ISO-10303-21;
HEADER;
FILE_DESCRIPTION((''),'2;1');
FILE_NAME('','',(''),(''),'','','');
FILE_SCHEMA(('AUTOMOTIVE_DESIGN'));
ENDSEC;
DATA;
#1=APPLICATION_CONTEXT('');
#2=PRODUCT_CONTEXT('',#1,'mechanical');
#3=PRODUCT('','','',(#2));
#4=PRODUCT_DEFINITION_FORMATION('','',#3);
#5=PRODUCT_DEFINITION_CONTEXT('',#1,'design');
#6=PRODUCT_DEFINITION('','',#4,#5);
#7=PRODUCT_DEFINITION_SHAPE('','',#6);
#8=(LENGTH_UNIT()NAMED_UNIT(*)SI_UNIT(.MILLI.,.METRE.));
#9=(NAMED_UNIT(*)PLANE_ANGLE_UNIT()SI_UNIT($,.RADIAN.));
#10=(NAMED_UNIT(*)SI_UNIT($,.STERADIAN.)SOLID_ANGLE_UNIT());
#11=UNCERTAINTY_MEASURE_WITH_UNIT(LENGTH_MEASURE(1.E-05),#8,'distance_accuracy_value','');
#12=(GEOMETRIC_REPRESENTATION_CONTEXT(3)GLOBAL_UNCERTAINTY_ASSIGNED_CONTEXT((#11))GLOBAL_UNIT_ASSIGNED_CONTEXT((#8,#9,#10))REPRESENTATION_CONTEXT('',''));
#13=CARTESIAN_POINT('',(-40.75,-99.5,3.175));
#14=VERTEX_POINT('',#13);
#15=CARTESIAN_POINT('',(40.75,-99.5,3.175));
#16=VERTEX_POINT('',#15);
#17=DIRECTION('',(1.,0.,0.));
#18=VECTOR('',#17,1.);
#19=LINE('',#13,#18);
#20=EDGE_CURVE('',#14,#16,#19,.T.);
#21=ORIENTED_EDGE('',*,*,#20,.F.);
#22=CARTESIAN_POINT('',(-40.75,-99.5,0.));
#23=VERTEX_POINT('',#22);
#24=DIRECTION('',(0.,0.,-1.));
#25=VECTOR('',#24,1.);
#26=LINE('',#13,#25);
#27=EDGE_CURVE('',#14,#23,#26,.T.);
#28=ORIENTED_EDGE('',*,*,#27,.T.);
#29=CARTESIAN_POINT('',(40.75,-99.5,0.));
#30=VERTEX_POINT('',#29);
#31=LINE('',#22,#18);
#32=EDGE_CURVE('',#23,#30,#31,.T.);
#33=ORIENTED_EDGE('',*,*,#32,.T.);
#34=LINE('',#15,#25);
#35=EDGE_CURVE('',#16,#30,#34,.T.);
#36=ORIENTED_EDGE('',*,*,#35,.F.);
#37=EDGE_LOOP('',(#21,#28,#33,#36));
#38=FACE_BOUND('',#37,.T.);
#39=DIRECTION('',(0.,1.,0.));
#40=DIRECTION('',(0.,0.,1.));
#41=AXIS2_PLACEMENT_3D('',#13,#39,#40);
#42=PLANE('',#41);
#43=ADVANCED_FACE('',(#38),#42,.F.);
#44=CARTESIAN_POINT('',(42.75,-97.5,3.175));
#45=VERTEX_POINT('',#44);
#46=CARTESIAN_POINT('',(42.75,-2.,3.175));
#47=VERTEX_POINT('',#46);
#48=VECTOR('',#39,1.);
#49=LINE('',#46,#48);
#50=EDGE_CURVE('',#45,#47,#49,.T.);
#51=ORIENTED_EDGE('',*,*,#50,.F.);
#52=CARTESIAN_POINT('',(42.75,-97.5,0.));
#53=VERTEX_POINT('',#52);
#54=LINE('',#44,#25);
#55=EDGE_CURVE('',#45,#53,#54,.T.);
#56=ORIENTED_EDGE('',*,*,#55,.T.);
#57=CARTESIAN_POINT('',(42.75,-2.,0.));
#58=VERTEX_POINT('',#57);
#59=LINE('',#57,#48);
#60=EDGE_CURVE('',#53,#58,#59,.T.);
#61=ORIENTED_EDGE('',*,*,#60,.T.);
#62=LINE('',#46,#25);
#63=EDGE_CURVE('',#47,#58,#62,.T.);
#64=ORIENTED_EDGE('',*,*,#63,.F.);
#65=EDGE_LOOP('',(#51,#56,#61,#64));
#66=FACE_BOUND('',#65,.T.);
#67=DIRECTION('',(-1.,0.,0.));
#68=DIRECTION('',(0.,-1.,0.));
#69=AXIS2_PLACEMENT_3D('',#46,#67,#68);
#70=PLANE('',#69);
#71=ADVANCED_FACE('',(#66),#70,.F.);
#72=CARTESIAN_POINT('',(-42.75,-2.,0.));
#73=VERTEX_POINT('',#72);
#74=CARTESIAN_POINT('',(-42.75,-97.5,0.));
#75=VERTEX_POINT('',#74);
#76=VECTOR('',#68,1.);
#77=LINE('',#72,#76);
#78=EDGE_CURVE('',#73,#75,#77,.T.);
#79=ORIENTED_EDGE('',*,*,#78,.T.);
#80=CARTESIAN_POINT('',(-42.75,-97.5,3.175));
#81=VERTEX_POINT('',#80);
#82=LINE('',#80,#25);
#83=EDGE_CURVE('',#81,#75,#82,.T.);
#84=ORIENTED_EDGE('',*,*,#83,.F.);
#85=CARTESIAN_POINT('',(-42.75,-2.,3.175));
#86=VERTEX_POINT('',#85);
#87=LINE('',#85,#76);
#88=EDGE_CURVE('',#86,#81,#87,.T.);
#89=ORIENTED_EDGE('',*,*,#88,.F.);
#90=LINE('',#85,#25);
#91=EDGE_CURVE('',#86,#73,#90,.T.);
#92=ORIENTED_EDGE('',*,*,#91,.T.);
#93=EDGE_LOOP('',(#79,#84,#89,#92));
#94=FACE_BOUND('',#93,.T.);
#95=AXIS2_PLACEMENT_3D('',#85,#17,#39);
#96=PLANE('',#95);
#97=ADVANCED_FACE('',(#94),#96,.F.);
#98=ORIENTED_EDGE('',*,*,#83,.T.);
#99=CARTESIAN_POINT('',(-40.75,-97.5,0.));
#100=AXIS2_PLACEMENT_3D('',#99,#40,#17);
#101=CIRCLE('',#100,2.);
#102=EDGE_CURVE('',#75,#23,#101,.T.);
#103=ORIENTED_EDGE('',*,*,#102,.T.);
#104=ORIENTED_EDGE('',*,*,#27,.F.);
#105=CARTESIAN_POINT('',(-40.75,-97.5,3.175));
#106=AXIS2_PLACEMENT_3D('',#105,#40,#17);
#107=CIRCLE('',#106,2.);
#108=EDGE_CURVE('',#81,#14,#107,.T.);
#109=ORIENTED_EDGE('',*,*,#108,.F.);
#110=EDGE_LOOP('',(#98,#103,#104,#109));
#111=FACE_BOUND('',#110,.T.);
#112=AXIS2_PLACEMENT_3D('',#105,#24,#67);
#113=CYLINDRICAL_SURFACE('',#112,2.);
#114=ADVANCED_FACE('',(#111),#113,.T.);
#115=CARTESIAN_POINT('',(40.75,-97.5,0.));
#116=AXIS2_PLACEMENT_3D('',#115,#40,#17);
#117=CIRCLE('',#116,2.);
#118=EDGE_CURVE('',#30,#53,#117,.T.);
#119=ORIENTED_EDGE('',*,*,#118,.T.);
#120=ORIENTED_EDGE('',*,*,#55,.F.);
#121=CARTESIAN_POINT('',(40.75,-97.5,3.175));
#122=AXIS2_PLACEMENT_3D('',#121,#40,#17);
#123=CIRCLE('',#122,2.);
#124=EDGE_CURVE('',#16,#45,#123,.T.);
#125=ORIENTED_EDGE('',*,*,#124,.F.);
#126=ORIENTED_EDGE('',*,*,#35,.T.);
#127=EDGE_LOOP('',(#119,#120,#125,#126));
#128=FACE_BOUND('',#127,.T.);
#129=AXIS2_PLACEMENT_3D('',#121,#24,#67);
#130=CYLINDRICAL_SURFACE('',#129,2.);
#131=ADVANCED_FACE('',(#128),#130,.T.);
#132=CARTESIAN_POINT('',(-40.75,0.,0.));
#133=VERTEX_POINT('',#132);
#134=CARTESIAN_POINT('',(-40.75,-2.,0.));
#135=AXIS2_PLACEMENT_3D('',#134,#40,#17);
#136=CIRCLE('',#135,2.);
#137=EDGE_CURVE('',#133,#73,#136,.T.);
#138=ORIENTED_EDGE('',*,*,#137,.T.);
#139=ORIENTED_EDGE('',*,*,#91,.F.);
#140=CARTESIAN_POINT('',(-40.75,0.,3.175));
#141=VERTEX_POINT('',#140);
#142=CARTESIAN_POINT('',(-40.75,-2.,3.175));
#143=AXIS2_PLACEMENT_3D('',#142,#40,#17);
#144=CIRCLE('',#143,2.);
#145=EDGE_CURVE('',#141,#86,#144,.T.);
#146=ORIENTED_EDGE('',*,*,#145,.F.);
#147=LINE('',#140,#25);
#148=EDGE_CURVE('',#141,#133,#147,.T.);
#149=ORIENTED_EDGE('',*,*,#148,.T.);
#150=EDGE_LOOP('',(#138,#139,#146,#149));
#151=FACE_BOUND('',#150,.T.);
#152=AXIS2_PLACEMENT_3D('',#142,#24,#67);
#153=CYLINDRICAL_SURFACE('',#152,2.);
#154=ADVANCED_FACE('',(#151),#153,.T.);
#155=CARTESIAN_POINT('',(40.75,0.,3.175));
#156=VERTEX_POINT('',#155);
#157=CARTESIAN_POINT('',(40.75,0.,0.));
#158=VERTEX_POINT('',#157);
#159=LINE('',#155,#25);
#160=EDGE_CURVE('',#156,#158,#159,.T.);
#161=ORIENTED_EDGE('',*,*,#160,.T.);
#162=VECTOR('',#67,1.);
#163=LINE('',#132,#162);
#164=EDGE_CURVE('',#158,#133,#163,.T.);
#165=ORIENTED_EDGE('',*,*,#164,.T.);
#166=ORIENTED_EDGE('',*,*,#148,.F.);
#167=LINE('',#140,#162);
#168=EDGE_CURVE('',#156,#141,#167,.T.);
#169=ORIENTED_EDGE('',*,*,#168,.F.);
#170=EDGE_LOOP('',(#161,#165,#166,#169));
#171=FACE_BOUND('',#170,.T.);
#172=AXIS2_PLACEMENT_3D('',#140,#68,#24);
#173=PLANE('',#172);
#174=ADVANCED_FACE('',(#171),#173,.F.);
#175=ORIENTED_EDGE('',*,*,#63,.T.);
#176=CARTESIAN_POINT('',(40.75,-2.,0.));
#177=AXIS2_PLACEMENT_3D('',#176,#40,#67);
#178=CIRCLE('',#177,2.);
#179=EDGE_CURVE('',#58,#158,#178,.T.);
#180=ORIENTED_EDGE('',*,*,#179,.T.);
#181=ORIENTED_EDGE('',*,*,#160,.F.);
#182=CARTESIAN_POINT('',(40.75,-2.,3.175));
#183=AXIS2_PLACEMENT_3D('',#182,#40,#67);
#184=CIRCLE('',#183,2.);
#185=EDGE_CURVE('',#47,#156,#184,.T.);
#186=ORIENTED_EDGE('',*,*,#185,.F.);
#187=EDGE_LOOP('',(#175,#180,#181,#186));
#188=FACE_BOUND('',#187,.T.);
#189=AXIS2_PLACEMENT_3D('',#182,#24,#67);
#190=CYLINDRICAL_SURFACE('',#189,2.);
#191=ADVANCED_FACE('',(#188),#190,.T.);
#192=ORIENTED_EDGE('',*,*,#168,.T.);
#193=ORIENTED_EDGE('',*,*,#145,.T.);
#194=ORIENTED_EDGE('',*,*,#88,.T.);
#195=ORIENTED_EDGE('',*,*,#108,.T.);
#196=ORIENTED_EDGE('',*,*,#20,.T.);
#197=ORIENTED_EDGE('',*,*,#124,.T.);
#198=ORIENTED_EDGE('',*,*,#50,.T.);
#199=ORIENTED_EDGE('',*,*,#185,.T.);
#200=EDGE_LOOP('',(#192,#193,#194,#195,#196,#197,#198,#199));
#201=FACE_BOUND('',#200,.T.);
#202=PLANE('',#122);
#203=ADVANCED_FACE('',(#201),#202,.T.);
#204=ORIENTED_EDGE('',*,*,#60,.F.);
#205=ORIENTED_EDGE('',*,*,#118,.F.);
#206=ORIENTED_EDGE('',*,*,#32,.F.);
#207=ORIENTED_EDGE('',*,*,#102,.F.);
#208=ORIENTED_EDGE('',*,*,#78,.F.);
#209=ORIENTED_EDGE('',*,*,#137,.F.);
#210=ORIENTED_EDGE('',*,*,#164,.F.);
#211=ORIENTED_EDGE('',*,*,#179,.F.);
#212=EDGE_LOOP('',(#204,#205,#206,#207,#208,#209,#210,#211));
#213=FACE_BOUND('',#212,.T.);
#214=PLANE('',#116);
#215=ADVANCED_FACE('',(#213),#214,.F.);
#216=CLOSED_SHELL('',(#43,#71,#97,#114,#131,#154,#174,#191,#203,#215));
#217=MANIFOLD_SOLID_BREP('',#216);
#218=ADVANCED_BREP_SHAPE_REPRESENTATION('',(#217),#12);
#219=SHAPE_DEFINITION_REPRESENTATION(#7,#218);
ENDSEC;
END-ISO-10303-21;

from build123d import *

# Parameters (mm, degrees)
BOSS_EXTRUDE1_DEPTH = 3.175


with BuildPart() as part:
    # Sketch1 → Boss-Extrude1 (new body)
    with BuildSketch(Plane.XY):
        with BuildLine():
            Line((-40.75, 0), (40.75, 0))
            ThreePointArc((40.75, 0), (42.164213562, -0.585786438), (42.75, -2))
            Line((42.75, -2), (42.75, -97.5))
            ThreePointArc((42.75, -97.5), (42.164213562, -98.914213562), (40.75, -99.5))
            Line((40.75, -99.5), (-40.75, -99.5))
            ThreePointArc((-40.75, -99.5), (-42.164213562, -98.914213562), (-42.75, -97.5))
            Line((-42.75, -97.5), (-42.75, -2))
            ThreePointArc((-42.75, -2), (-42.164213562, -0.585786438), (-40.75, 0))
        make_face()
    extrude(amount=BOSS_EXTRUDE1_DEPTH)


solid = part.part
